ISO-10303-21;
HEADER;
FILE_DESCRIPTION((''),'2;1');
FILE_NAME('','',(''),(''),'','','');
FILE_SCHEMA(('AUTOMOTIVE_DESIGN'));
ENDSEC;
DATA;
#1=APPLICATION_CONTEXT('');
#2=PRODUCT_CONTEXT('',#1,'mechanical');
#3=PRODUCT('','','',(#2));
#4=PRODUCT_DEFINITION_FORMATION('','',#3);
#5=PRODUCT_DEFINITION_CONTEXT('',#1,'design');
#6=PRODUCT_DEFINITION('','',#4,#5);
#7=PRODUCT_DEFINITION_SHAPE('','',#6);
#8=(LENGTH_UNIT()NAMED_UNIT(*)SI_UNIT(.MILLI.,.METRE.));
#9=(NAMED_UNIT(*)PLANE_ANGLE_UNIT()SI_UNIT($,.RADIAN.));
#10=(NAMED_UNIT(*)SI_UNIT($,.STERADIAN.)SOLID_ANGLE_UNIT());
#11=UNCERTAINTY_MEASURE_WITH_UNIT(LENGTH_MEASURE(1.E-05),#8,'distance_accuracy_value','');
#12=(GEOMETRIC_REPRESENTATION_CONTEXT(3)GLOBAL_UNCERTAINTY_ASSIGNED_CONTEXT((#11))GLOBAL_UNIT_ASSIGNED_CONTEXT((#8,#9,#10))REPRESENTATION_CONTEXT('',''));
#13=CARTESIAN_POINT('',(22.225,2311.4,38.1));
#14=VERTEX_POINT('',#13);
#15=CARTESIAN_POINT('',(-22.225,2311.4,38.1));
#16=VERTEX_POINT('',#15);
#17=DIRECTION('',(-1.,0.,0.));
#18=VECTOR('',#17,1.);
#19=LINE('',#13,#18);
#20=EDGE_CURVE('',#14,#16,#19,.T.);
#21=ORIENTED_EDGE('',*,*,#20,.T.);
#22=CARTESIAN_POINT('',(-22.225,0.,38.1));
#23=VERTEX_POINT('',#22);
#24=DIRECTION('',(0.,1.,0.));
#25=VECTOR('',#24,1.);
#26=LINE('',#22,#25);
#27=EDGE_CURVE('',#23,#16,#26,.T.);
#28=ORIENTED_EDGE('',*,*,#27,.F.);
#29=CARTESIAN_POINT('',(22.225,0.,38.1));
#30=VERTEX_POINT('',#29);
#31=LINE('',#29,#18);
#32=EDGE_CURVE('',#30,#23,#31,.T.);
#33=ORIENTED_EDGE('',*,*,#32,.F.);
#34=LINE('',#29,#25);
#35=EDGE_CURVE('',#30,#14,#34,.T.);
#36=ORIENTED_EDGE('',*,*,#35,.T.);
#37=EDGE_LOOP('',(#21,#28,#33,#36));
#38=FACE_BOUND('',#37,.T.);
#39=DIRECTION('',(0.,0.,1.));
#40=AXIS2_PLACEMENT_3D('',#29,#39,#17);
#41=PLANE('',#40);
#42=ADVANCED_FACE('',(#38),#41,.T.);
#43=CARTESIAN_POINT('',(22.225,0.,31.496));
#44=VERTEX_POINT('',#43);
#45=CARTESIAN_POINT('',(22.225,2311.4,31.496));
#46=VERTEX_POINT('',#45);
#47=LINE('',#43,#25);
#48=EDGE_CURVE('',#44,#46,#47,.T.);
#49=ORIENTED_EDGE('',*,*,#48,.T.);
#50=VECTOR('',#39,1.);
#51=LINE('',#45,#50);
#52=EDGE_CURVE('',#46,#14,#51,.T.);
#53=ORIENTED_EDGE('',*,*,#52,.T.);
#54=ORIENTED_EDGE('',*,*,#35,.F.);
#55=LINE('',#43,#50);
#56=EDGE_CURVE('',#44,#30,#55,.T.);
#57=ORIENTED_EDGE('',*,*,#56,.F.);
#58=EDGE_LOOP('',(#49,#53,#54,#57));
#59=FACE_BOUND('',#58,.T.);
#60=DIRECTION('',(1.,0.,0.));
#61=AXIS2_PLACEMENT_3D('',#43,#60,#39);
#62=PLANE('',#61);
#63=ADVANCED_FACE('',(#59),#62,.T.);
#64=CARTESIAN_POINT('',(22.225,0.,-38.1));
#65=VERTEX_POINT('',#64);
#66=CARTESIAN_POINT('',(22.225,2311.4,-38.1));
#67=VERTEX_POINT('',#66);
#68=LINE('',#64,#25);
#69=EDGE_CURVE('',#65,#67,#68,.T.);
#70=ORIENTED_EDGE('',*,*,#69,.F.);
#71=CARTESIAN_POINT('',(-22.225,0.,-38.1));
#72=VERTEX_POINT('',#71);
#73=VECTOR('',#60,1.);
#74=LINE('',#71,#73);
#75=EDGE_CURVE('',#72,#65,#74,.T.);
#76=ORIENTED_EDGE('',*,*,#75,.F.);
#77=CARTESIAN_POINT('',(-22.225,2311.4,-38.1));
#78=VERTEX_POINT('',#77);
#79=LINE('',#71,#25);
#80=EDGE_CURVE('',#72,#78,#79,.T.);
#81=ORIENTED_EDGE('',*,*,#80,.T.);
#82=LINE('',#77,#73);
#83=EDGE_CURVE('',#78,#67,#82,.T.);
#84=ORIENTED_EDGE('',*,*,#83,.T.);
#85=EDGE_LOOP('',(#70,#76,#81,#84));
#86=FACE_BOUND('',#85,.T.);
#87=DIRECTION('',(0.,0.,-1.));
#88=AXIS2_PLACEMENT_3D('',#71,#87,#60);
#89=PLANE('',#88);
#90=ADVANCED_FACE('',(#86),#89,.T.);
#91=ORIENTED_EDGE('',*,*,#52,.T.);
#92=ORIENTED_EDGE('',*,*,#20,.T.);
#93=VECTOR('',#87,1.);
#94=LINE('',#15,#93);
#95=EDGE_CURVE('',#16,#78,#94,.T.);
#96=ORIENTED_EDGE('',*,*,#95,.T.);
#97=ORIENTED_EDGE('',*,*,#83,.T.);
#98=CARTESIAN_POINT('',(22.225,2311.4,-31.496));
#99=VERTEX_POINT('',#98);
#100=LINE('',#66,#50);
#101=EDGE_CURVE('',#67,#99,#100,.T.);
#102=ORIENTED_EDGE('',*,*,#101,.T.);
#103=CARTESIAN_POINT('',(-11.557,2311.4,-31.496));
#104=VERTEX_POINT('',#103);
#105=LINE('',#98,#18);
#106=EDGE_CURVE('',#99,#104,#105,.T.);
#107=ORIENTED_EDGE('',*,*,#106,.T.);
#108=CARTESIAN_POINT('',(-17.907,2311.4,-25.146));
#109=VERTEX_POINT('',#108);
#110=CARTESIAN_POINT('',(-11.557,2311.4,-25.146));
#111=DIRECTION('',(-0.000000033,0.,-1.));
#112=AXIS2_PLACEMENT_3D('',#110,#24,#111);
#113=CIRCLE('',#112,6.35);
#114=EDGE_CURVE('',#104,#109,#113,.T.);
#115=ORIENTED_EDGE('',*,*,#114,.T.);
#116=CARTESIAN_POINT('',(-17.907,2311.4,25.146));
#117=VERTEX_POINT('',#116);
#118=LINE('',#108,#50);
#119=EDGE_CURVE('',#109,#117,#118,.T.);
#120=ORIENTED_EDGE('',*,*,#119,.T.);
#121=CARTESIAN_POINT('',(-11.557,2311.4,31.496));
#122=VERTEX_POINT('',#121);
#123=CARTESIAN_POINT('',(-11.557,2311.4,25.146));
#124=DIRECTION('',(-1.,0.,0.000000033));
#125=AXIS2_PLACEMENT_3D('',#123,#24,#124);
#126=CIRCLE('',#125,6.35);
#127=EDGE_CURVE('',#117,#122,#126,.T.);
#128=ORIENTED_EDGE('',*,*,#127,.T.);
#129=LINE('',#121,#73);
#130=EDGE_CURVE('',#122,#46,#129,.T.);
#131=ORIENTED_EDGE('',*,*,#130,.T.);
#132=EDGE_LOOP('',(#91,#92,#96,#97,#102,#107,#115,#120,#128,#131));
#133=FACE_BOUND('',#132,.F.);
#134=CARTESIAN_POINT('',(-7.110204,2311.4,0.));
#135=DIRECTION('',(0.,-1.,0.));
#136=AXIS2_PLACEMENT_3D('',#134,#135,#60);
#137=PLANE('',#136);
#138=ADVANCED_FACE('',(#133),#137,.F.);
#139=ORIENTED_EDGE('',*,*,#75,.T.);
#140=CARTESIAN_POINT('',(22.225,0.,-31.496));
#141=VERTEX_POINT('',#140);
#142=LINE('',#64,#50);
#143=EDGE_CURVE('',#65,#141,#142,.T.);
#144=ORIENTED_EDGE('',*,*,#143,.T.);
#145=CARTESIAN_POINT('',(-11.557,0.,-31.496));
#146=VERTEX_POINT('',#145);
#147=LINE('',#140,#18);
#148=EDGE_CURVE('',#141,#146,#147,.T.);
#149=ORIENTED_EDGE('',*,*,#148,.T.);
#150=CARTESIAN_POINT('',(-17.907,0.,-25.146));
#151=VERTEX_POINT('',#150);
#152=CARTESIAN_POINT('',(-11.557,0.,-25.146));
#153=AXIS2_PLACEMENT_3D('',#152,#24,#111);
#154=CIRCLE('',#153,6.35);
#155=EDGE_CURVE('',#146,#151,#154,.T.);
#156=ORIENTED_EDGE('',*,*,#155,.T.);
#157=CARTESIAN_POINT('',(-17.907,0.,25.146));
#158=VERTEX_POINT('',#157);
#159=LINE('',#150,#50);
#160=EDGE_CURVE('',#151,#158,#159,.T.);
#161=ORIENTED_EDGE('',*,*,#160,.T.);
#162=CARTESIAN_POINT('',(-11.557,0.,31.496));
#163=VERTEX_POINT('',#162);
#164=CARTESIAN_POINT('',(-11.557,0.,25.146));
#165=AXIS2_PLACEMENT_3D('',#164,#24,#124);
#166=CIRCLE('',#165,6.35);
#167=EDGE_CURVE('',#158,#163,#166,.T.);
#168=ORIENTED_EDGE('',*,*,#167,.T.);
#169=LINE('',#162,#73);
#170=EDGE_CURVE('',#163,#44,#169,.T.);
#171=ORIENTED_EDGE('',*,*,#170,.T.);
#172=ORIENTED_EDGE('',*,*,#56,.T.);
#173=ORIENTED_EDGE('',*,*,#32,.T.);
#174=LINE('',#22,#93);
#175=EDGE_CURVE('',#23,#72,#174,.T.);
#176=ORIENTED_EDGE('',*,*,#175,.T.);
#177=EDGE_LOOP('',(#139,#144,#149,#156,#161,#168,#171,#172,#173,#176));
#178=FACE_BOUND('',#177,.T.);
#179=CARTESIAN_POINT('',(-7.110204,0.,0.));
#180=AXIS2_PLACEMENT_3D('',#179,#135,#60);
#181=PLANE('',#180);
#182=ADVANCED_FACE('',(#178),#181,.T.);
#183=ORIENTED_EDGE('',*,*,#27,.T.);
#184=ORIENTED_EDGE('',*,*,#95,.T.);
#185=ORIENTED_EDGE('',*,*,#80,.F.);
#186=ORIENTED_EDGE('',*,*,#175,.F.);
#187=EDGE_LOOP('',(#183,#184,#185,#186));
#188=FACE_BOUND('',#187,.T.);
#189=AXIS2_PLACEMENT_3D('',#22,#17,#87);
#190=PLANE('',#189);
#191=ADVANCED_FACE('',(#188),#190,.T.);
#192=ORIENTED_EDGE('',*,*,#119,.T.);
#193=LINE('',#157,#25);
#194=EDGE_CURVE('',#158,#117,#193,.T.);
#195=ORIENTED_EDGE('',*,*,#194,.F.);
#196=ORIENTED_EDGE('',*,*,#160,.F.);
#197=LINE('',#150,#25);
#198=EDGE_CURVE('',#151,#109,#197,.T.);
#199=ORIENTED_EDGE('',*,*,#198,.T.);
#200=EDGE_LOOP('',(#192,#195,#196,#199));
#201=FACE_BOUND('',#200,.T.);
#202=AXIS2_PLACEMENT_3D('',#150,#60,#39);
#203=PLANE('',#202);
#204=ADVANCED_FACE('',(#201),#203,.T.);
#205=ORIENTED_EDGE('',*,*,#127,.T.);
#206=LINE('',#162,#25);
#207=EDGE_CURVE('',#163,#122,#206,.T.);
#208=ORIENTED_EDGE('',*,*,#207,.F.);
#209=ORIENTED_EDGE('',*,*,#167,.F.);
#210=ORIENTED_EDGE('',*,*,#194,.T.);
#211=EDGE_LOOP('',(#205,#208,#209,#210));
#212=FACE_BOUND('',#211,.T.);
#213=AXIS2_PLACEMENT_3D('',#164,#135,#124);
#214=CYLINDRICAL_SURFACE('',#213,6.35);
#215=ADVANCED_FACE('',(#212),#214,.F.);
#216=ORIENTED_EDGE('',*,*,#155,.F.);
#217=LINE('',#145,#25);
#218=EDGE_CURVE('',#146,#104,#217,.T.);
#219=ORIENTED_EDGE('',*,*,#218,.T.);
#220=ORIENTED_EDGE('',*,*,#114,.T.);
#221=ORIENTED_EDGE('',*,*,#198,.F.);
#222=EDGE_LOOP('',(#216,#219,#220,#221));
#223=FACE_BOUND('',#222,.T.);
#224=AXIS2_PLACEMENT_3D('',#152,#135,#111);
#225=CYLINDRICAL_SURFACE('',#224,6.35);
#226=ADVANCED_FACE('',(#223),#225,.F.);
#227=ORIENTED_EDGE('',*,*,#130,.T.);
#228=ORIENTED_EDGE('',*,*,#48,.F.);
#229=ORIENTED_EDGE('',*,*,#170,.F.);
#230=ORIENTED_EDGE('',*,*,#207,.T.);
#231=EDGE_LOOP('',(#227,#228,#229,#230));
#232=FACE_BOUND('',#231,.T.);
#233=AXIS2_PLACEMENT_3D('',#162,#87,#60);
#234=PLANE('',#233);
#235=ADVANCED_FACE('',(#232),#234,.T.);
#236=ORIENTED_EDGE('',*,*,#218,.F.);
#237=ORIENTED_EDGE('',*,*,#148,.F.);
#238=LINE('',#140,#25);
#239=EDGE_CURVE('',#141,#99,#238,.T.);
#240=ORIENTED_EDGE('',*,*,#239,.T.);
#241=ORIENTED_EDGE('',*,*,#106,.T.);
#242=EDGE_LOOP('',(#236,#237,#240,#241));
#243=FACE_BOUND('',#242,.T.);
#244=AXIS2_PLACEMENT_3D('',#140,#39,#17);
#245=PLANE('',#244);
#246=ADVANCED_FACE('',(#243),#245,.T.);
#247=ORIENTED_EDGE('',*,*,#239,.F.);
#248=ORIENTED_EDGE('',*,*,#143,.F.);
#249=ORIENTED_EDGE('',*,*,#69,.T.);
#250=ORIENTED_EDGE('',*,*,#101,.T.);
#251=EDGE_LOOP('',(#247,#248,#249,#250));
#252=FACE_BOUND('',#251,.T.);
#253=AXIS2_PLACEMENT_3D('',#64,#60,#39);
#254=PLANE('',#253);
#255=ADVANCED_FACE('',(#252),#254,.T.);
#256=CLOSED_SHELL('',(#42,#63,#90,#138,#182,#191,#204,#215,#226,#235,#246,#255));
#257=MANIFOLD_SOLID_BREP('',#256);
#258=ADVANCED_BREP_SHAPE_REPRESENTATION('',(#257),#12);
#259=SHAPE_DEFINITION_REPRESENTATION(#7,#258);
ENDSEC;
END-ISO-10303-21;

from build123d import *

# Parameters (mm, degrees)
F1_DEPTH = 2311.4


with BuildPart() as f1:
    # F0 (on Front) → F1 (new body)
    with BuildSketch(Plane.XZ):
        with BuildLine():
            Line((-22.225, -38.1), (22.225, -38.1))
            Line((22.225, -38.1), (22.225, -31.496))
            Line((22.225, -31.496), (-11.557, -31.496))
            ThreePointArc((-11.557, -31.496), (-16.047128, -29.636128), (-17.907, -25.146))
            Line((-17.907, -25.146), (-17.907, 25.146))
            ThreePointArc((-17.907, 25.146), (-16.047128, 29.636128), (-11.557, 31.496))
            Line((-11.557, 31.496), (22.225, 31.496))
            Line((22.225, 31.496), (22.225, 38.1))
            Line((22.225, 38.1), (-22.225, 38.1))
            Line((-22.225, 38.1), (-22.225, -38.1))
        make_face()
    extrude(amount=-F1_DEPTH)


solid = f1.part
